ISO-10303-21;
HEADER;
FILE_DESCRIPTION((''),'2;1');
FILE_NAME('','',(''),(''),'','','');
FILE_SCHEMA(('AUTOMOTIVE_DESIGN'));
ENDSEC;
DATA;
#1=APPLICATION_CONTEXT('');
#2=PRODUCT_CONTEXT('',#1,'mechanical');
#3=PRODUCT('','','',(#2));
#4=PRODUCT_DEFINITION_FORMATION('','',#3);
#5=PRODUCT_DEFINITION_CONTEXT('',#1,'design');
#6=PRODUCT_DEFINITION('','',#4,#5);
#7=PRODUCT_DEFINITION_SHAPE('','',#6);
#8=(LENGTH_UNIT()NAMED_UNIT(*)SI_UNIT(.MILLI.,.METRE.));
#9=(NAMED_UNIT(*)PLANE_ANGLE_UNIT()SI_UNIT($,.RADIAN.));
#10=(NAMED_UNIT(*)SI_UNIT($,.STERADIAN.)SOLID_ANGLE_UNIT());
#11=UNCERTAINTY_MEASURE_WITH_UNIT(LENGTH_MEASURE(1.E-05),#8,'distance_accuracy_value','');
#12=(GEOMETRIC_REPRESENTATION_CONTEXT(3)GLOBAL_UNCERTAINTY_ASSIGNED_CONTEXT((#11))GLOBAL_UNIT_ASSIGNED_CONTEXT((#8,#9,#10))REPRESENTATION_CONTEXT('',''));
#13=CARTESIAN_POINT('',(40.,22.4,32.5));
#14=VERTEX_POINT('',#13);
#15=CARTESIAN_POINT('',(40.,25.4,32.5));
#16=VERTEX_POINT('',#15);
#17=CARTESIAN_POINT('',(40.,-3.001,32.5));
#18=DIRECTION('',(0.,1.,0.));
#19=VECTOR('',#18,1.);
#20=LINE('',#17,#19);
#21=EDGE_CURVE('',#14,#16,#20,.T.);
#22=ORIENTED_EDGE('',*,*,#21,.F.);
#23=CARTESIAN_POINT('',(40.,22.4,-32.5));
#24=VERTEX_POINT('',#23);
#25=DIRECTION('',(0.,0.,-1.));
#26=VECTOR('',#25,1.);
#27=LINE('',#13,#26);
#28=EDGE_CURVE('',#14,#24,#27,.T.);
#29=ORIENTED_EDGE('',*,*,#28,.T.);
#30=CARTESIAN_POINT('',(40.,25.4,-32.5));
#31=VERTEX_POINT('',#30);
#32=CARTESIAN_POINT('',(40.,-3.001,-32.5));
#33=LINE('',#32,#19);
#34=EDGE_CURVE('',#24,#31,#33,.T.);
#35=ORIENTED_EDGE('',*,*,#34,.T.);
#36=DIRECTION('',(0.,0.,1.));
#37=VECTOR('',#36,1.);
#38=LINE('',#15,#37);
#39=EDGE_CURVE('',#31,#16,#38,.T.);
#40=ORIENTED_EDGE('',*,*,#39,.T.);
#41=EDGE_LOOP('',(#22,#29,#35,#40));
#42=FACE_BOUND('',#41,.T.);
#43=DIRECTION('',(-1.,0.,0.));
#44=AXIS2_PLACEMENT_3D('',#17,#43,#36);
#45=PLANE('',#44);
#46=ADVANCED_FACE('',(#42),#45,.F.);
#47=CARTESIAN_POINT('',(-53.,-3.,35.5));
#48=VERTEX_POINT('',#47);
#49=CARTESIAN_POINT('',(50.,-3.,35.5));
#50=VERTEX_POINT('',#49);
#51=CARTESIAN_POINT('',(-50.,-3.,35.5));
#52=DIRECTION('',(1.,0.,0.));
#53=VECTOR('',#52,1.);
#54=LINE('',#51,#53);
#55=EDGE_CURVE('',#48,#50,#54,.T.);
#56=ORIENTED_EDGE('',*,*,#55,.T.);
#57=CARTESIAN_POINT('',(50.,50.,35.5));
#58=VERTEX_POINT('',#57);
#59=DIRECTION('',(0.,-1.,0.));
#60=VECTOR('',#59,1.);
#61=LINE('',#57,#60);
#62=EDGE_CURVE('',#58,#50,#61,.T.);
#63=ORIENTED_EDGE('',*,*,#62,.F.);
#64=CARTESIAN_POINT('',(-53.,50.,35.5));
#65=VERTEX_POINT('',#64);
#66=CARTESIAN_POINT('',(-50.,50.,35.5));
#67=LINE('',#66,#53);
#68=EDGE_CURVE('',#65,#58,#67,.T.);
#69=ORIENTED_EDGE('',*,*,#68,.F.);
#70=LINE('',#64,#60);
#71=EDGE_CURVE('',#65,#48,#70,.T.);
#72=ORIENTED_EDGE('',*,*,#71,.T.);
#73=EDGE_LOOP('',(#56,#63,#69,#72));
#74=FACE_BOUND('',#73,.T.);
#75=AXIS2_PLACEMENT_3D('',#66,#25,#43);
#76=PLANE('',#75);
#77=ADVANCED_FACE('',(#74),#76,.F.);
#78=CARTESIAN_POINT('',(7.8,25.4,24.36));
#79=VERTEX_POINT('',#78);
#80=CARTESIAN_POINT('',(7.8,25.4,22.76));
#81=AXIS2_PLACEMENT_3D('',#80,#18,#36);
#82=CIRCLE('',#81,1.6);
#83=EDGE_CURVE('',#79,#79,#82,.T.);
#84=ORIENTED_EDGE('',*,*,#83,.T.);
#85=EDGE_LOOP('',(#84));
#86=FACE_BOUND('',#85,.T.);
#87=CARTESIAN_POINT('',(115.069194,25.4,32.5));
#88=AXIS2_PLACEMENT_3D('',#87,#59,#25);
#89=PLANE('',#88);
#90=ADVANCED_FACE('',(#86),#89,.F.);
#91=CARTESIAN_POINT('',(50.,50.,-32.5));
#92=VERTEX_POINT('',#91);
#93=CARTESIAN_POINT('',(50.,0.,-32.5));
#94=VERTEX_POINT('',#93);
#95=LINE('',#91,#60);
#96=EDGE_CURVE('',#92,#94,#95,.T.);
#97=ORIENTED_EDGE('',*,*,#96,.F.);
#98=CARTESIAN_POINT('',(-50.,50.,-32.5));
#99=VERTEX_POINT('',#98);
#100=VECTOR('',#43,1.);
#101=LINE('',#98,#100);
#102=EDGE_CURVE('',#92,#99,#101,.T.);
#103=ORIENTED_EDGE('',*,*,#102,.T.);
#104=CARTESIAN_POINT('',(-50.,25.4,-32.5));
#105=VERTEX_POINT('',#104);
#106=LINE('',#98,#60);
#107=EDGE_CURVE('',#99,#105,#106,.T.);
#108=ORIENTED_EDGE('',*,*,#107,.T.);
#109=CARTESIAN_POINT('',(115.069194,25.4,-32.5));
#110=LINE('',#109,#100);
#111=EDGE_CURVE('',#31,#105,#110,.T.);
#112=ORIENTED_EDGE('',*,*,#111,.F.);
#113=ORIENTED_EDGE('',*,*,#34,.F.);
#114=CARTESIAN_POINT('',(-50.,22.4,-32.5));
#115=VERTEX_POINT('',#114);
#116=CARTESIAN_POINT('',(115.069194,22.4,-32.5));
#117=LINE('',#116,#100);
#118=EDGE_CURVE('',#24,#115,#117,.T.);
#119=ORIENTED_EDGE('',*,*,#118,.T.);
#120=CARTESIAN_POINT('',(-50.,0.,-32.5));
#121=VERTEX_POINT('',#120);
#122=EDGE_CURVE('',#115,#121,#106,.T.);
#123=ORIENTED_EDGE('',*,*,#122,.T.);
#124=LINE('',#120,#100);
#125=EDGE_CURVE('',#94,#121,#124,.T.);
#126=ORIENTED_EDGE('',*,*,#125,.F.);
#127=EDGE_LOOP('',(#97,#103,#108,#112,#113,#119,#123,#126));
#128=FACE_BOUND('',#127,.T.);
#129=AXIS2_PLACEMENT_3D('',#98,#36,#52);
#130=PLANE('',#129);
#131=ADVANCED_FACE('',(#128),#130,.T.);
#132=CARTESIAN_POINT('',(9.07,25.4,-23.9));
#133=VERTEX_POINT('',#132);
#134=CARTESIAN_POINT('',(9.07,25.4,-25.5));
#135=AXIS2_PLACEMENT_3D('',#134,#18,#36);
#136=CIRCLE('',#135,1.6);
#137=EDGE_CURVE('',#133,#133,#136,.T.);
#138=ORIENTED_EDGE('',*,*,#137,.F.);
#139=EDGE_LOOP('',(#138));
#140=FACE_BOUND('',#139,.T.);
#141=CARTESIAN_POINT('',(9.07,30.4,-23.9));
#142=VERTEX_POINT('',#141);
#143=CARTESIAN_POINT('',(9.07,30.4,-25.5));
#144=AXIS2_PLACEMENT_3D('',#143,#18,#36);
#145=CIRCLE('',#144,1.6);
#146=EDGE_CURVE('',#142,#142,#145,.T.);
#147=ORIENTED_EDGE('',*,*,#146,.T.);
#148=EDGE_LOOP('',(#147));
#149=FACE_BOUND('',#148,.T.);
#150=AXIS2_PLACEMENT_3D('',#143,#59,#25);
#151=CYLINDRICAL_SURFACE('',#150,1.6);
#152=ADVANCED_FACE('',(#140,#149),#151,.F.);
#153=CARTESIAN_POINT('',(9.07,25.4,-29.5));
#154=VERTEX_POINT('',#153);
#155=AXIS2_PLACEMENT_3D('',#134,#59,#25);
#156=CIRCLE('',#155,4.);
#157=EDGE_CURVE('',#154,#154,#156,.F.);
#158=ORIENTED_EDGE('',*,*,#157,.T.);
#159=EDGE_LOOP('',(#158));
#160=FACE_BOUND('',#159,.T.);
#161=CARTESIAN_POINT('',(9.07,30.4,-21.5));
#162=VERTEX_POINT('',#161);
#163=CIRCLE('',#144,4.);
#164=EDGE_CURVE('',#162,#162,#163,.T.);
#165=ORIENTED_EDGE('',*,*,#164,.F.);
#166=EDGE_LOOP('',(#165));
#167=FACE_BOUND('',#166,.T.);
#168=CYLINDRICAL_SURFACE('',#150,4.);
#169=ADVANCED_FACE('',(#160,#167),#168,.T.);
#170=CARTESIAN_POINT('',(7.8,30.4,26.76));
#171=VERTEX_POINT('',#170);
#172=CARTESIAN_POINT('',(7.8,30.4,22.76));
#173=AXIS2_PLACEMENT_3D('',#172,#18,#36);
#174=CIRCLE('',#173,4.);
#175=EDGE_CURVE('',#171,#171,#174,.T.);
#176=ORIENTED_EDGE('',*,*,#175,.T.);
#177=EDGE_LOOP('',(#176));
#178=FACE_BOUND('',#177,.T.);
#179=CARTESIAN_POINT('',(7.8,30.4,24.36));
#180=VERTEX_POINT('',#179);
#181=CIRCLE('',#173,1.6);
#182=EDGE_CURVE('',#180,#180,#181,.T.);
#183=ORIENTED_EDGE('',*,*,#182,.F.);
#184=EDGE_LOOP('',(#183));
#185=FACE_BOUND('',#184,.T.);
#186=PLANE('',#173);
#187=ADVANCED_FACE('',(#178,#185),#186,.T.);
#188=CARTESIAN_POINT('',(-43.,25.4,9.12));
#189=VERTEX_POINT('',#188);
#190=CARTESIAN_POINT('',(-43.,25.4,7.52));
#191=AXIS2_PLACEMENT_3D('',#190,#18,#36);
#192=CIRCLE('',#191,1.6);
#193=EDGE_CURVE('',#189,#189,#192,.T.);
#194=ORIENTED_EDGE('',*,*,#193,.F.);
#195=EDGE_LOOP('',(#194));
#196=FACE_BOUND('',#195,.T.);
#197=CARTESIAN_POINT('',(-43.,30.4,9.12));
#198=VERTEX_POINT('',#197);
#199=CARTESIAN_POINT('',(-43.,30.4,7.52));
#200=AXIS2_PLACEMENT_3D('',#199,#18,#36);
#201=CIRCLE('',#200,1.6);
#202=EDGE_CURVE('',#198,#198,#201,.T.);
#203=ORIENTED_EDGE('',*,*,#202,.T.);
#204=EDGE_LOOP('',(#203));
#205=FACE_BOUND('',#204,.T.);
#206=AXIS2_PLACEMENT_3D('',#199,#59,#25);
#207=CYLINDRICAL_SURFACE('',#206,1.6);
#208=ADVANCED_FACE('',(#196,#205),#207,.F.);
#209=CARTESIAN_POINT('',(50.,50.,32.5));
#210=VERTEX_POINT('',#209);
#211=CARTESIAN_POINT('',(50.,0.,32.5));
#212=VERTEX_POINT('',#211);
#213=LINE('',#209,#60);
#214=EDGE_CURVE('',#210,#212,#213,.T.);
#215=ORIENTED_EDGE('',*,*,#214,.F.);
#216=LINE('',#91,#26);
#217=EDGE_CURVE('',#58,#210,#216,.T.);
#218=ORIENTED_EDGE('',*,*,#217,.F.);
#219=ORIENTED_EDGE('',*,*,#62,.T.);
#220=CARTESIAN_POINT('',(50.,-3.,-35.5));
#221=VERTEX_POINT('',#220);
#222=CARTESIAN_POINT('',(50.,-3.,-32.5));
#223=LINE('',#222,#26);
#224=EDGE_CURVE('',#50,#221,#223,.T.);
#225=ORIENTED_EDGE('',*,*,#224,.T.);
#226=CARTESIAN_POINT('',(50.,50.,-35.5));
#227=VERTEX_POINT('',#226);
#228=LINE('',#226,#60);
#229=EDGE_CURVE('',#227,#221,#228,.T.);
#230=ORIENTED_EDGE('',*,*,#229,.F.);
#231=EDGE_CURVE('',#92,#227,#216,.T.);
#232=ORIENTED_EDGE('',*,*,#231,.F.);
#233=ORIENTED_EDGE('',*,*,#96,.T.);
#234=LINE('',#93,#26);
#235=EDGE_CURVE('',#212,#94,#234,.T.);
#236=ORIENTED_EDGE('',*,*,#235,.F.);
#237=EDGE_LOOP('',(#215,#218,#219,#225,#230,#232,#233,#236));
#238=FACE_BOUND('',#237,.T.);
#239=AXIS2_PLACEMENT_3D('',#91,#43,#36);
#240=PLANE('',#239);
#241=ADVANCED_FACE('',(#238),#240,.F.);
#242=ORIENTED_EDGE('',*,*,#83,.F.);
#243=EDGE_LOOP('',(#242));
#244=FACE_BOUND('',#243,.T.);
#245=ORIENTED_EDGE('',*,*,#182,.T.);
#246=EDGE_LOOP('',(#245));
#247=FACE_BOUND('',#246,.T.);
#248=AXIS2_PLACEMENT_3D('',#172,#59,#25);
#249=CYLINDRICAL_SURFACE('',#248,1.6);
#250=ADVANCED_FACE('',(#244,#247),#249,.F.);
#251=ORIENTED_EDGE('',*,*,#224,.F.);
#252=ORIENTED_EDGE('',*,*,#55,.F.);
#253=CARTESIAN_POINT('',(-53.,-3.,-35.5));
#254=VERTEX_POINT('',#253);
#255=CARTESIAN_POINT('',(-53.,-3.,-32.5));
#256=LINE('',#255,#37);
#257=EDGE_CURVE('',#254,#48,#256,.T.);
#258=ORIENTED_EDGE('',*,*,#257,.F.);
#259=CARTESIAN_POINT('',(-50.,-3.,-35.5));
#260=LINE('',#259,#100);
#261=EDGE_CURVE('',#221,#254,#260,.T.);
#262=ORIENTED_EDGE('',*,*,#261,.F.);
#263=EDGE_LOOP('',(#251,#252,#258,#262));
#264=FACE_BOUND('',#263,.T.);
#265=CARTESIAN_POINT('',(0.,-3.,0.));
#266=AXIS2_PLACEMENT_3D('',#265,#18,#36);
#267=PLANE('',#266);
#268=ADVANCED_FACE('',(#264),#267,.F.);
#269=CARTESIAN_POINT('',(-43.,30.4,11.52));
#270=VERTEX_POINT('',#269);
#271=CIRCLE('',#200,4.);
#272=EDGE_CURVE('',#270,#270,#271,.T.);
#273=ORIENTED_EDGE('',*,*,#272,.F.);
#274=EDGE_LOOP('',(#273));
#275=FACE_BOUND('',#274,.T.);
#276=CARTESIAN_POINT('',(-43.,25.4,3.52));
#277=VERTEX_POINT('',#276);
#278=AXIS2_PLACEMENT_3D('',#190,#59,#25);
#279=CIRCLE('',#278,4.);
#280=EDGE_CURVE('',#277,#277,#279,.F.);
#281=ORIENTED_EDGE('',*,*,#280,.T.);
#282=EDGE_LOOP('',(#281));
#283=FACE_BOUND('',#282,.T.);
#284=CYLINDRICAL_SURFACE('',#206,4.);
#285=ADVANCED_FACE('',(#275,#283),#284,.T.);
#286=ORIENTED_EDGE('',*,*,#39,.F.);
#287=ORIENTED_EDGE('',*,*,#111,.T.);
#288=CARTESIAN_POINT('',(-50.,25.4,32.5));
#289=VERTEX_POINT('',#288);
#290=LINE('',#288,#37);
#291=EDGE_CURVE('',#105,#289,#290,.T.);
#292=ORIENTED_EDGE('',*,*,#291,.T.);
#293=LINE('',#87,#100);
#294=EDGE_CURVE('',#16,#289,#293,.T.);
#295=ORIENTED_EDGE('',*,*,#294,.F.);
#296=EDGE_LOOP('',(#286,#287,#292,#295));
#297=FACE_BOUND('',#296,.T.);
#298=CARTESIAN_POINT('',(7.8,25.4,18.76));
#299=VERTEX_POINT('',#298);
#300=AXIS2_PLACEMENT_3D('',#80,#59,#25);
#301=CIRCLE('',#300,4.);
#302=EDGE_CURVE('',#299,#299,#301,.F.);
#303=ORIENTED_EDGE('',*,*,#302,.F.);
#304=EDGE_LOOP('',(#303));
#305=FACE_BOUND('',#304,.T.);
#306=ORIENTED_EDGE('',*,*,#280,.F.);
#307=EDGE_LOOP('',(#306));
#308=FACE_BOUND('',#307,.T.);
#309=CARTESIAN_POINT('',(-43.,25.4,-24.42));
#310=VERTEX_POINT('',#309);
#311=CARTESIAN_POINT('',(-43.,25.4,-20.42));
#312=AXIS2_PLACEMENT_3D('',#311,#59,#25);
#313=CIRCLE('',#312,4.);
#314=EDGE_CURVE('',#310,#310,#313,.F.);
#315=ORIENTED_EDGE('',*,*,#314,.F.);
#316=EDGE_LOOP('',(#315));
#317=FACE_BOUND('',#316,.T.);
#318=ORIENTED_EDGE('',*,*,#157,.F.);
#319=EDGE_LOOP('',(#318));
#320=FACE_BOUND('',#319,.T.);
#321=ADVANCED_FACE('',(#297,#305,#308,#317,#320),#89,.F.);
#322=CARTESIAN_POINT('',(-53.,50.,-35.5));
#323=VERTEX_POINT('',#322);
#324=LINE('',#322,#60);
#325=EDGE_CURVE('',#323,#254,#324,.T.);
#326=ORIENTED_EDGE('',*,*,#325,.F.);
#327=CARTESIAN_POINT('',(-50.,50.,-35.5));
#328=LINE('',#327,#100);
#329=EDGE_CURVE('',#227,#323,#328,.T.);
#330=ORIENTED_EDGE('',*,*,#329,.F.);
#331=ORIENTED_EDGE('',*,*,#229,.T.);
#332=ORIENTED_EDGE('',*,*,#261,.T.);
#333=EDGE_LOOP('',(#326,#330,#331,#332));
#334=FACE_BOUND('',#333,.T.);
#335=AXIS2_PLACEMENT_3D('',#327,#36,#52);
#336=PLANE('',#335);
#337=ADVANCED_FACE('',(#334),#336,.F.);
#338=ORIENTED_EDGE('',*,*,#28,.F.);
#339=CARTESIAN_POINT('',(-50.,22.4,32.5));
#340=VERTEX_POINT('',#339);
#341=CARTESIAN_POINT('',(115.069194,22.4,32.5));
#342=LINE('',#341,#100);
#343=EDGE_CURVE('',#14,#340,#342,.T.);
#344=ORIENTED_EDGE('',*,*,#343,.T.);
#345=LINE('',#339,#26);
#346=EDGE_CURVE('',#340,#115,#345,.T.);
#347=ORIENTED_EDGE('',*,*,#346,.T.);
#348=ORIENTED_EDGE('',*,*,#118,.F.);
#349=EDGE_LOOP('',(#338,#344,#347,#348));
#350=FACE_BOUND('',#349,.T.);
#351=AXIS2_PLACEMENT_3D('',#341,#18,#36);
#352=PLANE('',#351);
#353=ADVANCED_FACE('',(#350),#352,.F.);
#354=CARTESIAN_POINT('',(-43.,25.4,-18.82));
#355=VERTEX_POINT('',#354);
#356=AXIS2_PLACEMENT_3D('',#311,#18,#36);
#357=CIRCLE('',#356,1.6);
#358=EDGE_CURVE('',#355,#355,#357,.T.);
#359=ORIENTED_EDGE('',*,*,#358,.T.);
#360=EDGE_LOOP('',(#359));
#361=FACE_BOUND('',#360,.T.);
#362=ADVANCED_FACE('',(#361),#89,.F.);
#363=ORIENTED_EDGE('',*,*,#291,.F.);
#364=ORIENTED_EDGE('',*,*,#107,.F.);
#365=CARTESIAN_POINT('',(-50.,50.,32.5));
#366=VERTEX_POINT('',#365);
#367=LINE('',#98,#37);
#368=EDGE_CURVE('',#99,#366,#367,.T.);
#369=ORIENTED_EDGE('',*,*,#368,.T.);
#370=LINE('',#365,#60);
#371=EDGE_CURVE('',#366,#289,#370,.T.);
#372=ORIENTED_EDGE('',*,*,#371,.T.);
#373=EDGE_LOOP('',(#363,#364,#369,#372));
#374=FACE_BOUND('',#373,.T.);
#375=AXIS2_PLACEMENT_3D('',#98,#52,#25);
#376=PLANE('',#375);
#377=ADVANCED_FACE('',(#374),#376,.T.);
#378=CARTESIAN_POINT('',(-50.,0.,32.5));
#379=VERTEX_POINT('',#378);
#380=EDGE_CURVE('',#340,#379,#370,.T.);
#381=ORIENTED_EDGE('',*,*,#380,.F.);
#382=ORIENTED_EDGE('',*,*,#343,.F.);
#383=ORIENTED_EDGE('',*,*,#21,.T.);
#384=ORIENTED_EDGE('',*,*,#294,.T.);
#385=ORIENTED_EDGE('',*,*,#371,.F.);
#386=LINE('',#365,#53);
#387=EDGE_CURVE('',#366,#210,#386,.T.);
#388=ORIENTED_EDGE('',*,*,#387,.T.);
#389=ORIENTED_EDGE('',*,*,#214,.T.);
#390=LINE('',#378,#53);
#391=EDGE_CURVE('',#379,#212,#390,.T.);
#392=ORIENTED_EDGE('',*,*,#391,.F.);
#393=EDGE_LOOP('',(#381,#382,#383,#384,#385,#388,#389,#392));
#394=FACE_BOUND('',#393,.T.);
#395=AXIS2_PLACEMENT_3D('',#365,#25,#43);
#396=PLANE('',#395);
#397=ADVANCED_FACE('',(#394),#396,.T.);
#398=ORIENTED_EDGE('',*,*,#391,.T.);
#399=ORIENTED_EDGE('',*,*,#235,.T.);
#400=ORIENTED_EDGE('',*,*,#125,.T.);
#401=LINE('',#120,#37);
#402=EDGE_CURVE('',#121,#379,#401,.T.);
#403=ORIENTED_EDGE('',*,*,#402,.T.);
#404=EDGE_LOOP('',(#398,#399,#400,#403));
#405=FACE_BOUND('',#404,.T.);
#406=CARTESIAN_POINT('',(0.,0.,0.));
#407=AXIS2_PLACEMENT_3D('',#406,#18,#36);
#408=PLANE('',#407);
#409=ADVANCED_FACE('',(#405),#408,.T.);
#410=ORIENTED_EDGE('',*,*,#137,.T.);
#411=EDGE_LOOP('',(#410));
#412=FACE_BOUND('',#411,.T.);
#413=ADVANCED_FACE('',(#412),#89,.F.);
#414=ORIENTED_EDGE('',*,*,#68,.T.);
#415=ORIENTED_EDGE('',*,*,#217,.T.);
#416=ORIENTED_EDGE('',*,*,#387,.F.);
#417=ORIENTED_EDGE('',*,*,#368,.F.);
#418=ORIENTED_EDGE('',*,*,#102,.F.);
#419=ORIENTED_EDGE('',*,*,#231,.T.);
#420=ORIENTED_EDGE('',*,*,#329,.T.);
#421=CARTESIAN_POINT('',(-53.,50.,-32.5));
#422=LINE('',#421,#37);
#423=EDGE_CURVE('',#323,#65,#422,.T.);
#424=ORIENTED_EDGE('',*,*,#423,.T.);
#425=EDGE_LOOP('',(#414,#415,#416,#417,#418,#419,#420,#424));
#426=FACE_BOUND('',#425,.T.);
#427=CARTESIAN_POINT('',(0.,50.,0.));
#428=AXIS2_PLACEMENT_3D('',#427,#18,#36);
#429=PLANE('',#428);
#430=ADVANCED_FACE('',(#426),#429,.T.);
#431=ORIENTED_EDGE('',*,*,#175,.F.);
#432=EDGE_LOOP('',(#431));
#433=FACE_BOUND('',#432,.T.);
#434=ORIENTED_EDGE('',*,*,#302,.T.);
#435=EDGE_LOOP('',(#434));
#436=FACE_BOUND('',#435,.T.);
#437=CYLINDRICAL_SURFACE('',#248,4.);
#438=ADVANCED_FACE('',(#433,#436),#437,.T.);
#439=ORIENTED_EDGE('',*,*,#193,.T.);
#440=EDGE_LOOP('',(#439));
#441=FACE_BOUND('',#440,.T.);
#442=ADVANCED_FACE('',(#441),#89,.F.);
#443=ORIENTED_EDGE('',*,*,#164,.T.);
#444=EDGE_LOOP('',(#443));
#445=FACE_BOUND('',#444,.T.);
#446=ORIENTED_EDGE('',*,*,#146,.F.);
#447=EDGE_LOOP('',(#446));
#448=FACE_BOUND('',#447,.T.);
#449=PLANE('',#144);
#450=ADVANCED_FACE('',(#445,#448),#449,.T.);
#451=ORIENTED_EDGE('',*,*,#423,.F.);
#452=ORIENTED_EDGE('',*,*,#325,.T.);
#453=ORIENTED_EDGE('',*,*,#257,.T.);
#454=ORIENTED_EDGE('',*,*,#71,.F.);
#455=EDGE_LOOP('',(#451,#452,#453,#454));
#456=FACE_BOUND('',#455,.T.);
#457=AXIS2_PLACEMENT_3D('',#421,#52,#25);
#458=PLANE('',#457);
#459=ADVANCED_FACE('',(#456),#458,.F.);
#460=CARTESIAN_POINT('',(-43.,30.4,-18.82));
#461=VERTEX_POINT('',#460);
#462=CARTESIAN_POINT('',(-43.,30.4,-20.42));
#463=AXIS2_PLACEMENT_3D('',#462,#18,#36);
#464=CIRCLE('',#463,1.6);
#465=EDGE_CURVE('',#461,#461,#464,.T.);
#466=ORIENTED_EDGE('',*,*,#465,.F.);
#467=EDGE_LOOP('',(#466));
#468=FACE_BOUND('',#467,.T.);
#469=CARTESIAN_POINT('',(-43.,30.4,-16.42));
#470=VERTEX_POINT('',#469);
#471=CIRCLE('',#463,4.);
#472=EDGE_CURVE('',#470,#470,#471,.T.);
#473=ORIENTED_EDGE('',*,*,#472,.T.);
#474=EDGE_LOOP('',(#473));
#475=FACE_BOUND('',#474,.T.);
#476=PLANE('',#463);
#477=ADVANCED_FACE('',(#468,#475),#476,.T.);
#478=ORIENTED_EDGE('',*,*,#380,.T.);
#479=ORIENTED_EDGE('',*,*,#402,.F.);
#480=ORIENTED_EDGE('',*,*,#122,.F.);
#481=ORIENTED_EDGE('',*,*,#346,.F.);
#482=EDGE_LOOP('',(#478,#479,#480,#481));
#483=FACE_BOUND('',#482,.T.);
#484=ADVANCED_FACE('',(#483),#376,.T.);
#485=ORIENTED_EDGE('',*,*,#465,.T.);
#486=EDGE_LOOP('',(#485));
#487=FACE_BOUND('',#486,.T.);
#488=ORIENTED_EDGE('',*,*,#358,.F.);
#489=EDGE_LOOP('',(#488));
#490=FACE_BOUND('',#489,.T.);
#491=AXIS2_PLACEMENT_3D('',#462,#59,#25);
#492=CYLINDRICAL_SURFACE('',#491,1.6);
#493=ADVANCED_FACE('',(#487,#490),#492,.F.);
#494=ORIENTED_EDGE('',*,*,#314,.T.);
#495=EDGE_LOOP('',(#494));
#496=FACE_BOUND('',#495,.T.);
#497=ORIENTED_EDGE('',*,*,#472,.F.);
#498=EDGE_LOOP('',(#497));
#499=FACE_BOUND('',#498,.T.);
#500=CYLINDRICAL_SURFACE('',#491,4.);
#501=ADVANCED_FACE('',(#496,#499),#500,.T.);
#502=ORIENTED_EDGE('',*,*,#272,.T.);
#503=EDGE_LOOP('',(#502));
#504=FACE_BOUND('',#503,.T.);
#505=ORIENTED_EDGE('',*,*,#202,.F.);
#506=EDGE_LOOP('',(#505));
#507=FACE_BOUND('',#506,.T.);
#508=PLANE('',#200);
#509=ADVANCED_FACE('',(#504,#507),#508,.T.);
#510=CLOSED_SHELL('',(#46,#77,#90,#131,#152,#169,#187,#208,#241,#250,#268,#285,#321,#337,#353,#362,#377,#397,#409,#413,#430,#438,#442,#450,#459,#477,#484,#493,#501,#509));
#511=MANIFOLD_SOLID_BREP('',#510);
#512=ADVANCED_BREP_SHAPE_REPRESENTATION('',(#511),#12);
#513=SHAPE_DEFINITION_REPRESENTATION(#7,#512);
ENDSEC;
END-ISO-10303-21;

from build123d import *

# Parameters (mm, degrees)
SKETCH2_W           = 100
SKETCH2_H           = 65
BOSS_EXTRUDE1_DEPTH = 50
SHELL1_T            = 3
SKETCH7_W           = 65
SKETCH7_H           = 3
BOSS_EXTRUDE3_DEPTH = 100
CUT_EXTRUDE1_REACH  = 71.827
SKETCH3_W           = 10
SKETCH3_H           = 65
SKETCH4_R           = 4
SKETCH4_R_2         = 1.6
BOSS_EXTRUDE4_DEPTH = 5


with BuildPart() as part:
    # Sketch2 → Boss-Extrude1 (new body)
    with BuildSketch(Plane(origin=(0, 0, 0), x_dir=(1, 0, 0), z_dir=(0, 1, 0))):
        Rectangle(SKETCH2_W, SKETCH2_H)
    extrude(amount=BOSS_EXTRUDE1_DEPTH)

    # Shell1
    shell1_openings = [part.faces().sort_by_distance(p)[0] for p in [
        (50, 25, 0),
        (0, 50, 0),
    ]]
    offset(amount=SHELL1_T, openings=shell1_openings, kind=Kind.INTERSECTION)

    # Sketch7 → Boss-Extrude3 (add)
    with BuildSketch(Plane(origin=(-50, 0, 0), x_dir=(0, 0, -1), z_dir=(1, 0, 0))):
        with Locations((0, 23.9)):
            Rectangle(SKETCH7_W, SKETCH7_H)
    extrude(amount=BOSS_EXTRUDE3_DEPTH)

    # Sketch3 → Cut-Extrude1 (cut, up to next)
    with BuildSketch(Plane(origin=(0, 25.4, 0), x_dir=(1, 0, 0), z_dir=(0, 1, 0)), mode=Mode.PRIVATE) as cut_extrude1_sk1:
        with Locations((45, 0)):
            Rectangle(SKETCH3_W, SKETCH3_H)
    cut_extrude1_tool1 = extrude(cut_extrude1_sk1.sketch, amount=-CUT_EXTRUDE1_REACH, mode=Mode.PRIVATE) & part.part
    add(cut_extrude1_tool1.solids().sort_by_distance((45, 25.4, 0))[0], mode=Mode.SUBTRACT)

    # Sketch4 → Boss-Extrude4 (add)
    # profile 1 of 4: a face of its own
    with BuildSketch(Plane(origin=(0, 25.4, 0), x_dir=(1, 0, 0), z_dir=(0, 1, 0))):
        with Locations(Location((9.07, 25.5, 0), (0, 0, 90))):
            Circle(SKETCH4_R)
        with Locations(Location((9.07, 25.5, 0), (0, 0, 270))):
            Circle(SKETCH4_R_2, mode=Mode.SUBTRACT)
    # profile 2 of 4: a face of its own
    with BuildSketch(Plane(origin=(0, 25.4, 0), x_dir=(1, 0, 0), z_dir=(0, 1, 0))):
        with Locations(Location((7.8, -22.76, 0), (0, 0, 90))):
            Circle(SKETCH4_R)
        with Locations(Location((7.8, -22.76, 0), (0, 0, 270))):
            Circle(SKETCH4_R_2, mode=Mode.SUBTRACT)
    # profile 3 of 4: a face of its own
    with BuildSketch(Plane(origin=(0, 25.4, 0), x_dir=(1, 0, 0), z_dir=(0, 1, 0))):
        with Locations(Location((-43, -7.52, 0), (0, 0, 90))):
            Circle(SKETCH4_R)
        with Locations(Location((-43, -7.52, 0), (0, 0, 270))):
            Circle(SKETCH4_R_2, mode=Mode.SUBTRACT)
    # profile 4 of 4: a face of its own
    with BuildSketch(Plane(origin=(0, 25.4, 0), x_dir=(1, 0, 0), z_dir=(0, 1, 0))):
        with Locations(Location((-43, 20.42, 0), (0, 0, 90))):
            Circle(SKETCH4_R)
        with Locations(Location((-43, 20.42, 0), (0, 0, 270))):
            Circle(SKETCH4_R_2, mode=Mode.SUBTRACT)
    extrude(amount=BOSS_EXTRUDE4_DEPTH)


solid = part.part
